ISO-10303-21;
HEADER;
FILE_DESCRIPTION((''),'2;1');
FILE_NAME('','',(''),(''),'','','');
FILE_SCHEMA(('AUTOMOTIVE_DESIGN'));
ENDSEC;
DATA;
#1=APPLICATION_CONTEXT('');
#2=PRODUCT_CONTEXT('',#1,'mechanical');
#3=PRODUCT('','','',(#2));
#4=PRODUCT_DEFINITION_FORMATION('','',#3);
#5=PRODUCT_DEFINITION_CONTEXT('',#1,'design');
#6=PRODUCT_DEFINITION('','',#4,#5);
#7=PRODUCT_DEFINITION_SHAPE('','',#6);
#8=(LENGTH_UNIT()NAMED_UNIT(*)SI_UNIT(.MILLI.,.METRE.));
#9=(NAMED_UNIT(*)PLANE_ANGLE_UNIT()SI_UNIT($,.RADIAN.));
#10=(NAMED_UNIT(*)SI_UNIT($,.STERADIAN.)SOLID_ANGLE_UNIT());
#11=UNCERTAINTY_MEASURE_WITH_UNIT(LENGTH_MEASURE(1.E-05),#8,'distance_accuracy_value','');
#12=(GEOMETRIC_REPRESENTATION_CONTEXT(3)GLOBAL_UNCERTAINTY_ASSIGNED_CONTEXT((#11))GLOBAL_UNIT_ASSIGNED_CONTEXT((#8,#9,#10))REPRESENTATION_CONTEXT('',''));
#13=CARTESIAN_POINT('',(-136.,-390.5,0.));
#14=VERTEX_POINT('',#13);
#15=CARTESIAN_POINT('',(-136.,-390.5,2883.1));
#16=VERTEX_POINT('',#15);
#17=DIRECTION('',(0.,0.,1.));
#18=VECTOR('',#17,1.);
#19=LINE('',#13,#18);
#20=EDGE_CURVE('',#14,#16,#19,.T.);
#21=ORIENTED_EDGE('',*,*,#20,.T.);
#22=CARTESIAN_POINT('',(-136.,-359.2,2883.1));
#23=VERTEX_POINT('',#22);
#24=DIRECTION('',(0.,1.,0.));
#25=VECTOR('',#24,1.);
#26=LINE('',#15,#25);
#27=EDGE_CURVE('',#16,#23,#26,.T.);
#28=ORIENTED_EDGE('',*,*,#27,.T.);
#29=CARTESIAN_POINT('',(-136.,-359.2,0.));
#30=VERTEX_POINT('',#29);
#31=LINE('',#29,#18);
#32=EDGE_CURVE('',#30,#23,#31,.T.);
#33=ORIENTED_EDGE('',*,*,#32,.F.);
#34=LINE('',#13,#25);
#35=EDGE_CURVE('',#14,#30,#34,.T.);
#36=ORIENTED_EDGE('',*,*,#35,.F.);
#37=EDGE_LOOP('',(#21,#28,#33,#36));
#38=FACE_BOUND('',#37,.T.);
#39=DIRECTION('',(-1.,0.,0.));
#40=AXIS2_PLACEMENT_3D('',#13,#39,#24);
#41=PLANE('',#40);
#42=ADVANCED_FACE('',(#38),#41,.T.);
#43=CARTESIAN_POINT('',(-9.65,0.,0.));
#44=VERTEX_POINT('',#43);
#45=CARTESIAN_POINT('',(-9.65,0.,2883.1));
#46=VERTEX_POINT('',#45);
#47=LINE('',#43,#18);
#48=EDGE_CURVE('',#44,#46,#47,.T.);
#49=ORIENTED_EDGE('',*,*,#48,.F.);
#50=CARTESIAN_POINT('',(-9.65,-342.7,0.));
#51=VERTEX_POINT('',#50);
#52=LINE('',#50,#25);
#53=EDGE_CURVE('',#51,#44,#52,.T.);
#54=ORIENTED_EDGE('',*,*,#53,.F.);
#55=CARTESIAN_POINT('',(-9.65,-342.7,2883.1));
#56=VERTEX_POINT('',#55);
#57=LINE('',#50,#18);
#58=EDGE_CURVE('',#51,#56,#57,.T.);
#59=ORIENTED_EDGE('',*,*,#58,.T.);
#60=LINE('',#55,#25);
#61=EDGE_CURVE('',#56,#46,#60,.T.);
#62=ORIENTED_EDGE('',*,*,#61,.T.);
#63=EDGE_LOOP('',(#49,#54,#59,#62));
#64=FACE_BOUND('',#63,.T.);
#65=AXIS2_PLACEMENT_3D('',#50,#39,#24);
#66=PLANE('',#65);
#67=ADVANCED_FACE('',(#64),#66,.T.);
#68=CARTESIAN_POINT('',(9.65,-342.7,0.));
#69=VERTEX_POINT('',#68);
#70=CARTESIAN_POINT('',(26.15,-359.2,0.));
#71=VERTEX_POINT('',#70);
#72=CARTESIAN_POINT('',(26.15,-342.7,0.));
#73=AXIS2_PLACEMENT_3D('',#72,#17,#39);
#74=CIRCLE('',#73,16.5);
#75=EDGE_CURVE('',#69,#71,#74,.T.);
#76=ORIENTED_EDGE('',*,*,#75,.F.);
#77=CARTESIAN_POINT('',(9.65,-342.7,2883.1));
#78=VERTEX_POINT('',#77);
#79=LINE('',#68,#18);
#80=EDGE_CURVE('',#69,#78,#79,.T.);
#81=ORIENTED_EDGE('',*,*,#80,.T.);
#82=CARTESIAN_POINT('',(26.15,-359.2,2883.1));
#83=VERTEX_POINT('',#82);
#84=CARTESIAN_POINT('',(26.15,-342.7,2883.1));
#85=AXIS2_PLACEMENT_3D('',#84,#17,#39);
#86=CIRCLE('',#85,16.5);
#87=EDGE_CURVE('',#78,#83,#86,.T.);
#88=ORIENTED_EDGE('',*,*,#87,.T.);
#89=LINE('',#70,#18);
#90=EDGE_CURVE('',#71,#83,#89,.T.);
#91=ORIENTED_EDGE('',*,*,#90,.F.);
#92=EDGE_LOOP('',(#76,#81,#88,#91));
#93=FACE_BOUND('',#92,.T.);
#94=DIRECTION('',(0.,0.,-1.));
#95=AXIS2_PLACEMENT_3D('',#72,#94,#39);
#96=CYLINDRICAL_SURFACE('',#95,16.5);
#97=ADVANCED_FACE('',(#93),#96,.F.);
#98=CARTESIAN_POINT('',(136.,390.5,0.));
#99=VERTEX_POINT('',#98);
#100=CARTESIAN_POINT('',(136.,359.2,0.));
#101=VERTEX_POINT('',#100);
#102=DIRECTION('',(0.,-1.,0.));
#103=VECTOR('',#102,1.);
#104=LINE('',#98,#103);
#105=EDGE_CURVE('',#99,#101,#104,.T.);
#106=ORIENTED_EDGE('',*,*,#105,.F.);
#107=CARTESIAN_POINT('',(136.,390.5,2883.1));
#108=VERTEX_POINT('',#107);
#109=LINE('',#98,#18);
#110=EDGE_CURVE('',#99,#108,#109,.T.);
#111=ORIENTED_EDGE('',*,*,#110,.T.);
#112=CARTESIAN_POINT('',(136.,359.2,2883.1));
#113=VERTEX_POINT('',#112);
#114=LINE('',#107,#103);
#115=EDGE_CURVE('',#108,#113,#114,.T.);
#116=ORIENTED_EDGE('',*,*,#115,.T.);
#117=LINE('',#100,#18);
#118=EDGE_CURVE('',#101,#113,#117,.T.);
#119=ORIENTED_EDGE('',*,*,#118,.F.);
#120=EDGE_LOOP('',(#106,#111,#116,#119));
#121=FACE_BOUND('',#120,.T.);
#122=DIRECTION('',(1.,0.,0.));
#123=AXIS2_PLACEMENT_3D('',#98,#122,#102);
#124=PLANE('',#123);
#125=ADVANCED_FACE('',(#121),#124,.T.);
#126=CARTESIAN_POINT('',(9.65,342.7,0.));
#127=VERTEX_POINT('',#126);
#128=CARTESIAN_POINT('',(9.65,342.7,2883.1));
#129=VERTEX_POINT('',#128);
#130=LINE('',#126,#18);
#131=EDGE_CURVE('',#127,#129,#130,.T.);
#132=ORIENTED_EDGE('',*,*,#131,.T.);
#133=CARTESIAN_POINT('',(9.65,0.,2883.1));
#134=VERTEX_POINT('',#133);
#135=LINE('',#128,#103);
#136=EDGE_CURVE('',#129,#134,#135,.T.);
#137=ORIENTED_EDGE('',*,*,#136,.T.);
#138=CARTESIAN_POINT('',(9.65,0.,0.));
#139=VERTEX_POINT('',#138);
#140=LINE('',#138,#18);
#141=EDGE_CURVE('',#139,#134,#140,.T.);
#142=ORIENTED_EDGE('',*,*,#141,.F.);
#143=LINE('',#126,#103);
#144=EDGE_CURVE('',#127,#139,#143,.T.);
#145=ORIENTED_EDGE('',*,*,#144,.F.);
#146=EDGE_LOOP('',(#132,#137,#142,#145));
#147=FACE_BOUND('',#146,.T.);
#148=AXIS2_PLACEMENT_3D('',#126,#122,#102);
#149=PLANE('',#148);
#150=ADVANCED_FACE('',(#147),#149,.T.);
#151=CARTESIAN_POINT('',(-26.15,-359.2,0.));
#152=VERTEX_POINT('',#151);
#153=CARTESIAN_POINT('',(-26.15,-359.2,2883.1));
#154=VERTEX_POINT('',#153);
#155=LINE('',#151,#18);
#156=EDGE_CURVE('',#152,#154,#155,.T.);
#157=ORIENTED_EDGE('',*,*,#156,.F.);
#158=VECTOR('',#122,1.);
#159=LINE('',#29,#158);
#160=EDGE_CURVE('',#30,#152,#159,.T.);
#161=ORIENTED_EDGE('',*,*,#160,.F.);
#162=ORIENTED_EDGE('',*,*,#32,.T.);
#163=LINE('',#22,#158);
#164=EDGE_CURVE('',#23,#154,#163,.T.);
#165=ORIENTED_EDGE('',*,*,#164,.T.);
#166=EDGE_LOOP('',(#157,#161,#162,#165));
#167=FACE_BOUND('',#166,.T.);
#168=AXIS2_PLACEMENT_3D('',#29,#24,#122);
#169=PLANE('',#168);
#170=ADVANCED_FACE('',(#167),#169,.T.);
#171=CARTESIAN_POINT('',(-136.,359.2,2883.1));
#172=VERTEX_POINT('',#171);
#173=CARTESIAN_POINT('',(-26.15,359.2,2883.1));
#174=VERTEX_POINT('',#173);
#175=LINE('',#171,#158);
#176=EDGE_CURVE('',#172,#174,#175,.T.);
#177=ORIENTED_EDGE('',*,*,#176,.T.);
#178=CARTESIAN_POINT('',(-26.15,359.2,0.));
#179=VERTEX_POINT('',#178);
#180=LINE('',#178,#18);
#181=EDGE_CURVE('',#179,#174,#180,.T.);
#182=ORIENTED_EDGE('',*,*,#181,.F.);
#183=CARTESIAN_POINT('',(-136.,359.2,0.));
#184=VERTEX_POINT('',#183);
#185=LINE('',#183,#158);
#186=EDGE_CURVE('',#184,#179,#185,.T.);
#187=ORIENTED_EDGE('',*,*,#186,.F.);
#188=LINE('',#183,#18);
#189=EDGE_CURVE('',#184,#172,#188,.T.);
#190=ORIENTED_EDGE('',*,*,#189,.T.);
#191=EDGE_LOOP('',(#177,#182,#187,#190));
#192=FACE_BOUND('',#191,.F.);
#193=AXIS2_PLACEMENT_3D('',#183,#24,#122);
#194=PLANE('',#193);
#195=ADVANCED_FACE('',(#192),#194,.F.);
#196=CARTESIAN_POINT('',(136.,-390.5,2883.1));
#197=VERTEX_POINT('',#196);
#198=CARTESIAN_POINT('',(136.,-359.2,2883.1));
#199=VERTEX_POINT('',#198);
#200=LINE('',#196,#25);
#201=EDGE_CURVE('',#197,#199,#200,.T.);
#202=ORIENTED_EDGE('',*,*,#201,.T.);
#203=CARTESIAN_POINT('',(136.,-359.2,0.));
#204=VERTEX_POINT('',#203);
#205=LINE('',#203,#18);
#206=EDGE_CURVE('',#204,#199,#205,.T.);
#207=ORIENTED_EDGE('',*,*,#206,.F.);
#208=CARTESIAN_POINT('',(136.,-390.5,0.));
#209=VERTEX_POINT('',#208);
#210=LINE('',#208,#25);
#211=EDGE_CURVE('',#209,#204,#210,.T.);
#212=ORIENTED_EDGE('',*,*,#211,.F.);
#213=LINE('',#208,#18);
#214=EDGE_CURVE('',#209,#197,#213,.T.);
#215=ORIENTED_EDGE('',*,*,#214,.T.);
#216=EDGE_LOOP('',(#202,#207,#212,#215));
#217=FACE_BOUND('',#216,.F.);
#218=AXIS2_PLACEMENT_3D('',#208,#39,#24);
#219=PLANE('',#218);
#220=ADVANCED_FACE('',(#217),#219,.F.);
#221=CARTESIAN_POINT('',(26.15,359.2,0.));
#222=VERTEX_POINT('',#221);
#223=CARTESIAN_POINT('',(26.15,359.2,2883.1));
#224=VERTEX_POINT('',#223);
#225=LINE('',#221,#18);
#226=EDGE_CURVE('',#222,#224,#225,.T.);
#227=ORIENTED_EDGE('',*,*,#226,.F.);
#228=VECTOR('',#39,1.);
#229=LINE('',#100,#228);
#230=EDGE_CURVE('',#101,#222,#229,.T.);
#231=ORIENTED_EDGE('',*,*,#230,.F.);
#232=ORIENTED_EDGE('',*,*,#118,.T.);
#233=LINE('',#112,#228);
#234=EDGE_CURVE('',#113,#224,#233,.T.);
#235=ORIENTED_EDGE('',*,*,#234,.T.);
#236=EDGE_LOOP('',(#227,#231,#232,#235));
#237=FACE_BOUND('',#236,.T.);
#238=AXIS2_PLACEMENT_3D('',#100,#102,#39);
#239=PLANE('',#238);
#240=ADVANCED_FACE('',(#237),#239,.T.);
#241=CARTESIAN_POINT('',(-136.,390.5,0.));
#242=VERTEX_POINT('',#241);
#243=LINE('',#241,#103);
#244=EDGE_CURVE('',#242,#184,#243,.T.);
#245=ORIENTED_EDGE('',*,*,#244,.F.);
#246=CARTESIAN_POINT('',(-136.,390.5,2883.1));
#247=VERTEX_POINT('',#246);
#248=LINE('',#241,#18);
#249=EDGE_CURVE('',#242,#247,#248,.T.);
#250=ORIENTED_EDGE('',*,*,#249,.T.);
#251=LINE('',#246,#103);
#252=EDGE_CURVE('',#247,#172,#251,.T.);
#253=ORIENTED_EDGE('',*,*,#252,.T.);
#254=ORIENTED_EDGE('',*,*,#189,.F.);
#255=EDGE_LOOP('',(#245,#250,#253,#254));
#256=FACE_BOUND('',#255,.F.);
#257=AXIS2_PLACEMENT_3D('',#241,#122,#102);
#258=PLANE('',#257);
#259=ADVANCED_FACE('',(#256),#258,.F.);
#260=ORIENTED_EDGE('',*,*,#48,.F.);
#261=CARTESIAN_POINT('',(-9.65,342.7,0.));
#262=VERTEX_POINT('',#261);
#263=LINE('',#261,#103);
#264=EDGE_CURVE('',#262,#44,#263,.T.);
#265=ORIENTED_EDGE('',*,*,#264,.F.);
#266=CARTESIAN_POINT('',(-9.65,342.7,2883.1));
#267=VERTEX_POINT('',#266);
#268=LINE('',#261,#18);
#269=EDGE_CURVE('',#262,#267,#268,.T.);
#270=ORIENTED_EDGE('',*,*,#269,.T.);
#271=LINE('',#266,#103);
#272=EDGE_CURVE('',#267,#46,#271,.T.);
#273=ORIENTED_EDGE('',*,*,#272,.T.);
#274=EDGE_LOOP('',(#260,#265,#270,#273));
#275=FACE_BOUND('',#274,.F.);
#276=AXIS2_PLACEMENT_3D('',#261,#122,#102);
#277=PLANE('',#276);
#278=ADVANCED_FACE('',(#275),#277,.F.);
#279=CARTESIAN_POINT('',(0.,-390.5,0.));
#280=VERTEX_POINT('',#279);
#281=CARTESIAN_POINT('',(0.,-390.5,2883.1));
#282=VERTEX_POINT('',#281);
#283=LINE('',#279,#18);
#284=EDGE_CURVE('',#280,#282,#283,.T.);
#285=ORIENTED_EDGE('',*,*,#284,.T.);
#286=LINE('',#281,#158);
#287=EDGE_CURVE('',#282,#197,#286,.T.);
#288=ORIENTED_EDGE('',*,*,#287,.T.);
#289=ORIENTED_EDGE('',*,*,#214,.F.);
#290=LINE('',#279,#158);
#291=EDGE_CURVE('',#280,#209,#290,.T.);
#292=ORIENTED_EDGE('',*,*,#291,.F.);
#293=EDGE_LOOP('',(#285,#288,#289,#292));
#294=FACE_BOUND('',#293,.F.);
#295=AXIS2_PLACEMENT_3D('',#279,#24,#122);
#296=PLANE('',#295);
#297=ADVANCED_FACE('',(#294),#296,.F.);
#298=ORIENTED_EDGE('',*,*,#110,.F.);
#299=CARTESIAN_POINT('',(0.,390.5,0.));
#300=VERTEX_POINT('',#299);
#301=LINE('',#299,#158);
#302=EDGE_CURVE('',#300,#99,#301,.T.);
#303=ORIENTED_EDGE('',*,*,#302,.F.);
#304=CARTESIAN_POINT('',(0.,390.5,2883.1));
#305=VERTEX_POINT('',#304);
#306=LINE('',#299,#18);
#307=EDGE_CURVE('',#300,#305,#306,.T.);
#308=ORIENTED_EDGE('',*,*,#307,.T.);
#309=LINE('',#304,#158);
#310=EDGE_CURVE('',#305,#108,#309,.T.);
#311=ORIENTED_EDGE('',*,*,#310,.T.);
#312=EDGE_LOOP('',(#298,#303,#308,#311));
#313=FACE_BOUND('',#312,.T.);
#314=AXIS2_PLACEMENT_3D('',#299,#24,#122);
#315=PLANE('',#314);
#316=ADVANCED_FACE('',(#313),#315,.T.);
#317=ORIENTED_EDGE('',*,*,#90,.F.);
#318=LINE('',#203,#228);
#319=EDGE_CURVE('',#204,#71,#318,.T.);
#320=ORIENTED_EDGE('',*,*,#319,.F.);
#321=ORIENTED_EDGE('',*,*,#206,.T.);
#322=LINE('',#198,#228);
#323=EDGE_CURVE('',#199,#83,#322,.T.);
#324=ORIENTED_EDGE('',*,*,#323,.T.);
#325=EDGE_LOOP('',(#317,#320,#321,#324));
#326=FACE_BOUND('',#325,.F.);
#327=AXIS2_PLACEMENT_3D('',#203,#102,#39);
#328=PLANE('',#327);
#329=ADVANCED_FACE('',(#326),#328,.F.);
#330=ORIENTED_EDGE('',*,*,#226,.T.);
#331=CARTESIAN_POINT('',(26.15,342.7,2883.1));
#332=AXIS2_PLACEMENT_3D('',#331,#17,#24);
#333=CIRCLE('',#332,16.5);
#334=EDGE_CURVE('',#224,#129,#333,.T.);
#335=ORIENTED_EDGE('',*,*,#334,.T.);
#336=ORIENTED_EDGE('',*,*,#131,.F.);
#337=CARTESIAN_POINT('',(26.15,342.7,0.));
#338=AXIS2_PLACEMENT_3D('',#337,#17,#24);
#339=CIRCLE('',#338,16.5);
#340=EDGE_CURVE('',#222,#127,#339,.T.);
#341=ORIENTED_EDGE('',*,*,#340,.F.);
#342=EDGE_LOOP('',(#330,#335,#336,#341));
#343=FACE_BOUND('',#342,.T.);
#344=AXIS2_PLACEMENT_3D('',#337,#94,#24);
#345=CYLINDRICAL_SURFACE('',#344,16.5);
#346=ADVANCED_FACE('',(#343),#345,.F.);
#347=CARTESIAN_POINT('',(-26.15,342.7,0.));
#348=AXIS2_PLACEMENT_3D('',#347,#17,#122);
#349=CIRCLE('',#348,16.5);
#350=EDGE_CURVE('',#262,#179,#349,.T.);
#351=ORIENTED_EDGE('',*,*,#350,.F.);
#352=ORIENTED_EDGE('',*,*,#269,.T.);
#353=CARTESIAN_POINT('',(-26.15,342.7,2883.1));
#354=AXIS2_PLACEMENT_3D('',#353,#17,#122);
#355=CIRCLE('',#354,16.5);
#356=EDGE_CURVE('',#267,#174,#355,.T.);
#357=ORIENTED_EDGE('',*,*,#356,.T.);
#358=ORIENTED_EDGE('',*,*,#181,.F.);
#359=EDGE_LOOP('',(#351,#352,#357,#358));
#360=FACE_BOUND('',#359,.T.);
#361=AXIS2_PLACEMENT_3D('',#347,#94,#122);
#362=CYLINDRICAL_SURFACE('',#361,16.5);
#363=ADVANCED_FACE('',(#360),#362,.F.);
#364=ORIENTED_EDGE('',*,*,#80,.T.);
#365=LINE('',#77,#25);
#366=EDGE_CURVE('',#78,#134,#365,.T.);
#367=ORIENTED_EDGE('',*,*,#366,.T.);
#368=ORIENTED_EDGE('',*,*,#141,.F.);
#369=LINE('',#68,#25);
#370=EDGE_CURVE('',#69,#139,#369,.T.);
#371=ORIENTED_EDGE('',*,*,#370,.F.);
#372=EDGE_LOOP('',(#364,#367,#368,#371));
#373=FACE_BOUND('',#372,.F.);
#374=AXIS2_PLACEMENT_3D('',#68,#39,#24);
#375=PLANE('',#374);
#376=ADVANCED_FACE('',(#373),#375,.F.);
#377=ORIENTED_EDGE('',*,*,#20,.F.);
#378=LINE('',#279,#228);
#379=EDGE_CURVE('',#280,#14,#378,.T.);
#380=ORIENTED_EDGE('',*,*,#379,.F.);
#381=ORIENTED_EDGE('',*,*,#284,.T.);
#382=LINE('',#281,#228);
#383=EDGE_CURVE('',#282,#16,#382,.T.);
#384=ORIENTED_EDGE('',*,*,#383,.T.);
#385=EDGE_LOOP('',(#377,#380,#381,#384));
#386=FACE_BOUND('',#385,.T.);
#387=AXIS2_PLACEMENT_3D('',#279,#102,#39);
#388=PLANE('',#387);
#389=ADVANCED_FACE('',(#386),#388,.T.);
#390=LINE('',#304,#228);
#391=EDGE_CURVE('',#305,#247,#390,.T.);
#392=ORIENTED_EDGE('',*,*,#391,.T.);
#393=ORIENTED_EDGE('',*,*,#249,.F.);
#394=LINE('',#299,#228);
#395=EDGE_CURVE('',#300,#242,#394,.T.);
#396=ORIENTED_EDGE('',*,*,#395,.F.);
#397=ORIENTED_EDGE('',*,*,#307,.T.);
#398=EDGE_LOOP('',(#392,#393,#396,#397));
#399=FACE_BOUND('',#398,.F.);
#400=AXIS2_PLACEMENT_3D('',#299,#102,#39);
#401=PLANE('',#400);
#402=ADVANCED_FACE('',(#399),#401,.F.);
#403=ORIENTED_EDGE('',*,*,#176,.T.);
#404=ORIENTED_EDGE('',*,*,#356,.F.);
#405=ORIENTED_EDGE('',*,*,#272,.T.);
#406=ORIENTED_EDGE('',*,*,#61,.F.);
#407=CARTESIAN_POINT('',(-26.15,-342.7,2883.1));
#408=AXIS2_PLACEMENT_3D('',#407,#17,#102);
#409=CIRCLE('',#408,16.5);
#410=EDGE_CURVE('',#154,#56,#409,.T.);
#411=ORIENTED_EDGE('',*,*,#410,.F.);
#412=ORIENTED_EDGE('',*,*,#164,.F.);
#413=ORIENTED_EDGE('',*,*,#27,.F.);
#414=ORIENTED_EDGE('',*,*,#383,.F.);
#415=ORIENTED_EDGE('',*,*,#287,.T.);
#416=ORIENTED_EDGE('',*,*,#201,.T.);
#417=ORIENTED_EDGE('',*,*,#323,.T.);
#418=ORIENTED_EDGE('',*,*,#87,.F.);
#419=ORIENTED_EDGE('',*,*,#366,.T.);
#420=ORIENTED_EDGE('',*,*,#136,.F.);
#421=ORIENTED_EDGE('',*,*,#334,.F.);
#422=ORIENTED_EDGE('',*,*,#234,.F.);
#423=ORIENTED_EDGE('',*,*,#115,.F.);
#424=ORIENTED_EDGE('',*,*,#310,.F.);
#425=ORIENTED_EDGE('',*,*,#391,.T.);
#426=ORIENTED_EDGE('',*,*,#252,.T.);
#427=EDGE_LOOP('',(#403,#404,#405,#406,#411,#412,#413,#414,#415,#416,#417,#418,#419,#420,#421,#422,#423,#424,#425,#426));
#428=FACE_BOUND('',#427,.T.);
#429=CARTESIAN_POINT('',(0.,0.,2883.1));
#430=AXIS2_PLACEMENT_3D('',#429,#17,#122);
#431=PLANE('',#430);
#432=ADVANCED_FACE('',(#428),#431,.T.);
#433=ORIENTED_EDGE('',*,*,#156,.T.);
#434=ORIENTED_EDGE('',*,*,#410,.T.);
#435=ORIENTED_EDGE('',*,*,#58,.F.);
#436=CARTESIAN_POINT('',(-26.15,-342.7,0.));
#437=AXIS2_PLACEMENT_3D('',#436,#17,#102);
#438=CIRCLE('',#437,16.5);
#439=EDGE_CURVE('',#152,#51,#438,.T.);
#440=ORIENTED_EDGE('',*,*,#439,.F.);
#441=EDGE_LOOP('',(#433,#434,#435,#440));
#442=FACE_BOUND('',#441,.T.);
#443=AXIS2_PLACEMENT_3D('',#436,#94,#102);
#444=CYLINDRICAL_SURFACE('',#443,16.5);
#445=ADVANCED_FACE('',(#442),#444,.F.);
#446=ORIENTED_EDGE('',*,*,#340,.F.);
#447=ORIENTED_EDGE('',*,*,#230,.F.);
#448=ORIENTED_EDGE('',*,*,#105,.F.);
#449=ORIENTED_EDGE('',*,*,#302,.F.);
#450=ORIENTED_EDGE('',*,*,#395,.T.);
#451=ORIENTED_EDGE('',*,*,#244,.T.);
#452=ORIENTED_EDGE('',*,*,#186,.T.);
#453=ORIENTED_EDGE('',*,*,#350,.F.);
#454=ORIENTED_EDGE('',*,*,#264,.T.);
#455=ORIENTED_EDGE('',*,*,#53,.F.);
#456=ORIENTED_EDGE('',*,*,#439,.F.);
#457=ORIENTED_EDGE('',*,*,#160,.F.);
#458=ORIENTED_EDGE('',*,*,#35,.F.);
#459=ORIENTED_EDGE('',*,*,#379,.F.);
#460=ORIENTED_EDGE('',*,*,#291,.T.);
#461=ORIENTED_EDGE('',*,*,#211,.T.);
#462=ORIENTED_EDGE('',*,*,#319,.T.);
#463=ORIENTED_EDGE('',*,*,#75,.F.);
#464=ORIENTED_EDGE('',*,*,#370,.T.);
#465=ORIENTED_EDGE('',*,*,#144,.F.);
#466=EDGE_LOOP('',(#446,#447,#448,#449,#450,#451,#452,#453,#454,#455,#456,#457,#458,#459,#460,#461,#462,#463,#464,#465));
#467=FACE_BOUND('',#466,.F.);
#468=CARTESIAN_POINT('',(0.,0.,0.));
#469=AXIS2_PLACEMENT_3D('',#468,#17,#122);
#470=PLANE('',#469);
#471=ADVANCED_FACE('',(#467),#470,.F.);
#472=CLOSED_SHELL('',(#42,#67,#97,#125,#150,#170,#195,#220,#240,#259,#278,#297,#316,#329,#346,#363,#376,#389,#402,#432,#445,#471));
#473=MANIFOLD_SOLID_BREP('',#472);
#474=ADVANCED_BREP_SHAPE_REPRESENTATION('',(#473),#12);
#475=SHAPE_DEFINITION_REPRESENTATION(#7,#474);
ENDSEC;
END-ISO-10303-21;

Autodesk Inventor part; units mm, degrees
ref_plane "YZ Plane" through (0, 0, 0) normal (1, 0, 0) x (0, 1, 0)
ref_plane "Start plane" through (0, 0, 0) normal (0, 0, 1) x (1, 0, 0)
ref_plane "End plane" through (0, 0, 2883.1) normal (0, 0, 1) x (1, 0, 0)
sketch "Sketch" plane through (0, 0, 0) normal (0, 0, 1) x (1, 0, 0)
  line L0 (-136, -390.5) -> (-136, -359.2)
  line L1 (-136, -359.2) -> (-26.15, -359.2)
  line L2 (-9.65, -342.7) -> (-9.65, 0)
  line L3 (-9.65, 0) -> (0, 0) construction
  line L4 (0, 0) -> (0, -390.5) construction
  line L5 (0, -390.5) -> (-136, -390.5)
  line L6 (-60, 0) -> (80, 0) construction
  line L7 (0, -60) -> (0, 80) construction
  line L8 (136, -390.5) -> (136, -359.2)
  line L9 (136, -359.2) -> (26.15, -359.2)
  line L10 (9.65, -342.7) -> (9.65, 0)
  line L11 (9.65, 0) -> (0, 0) construction
  line L12 (0, -390.5) -> (136, -390.5)
  line L13 (-136, 390.5) -> (-136, 359.2)
  line L14 (-136, 359.2) -> (-26.15, 359.2)
  line L15 (-9.65, 342.7) -> (-9.65, 0)
  line L16 (0, 390.5) -> (-136, 390.5)
  line L17 (136, 390.5) -> (136, 359.2)
  line L18 (136, 359.2) -> (26.15, 359.2)
  line L19 (0, 390.5) -> (136, 390.5)
  line L20 (9.65, 342.7) -> (9.65, 0)
  arc A0 (-9.65, 342.7) -> (-26.15, 359.2) centre (-26.15, 342.7) ccw
  arc A1 (26.15, 359.2) -> (9.65, 342.7) centre (26.15, 342.7) ccw
  arc A2 (9.65, -342.7) -> (26.15, -359.2) centre (26.15, -342.7) ccw
  arc A3 (-26.15, -359.2) -> (-9.65, -342.7) centre (-26.15, -342.7) ccw
  line L21 (0, 108) -> (0, -88) construction
  line L22 (-88, 0) -> (108, 0) construction
  point P0 (-9.65, -359.2)
  point P1 (9.65, -359.2)
  point P2 (-9.65, 359.2)
  point P3 (9.65, 359.2)
  dimension "d1" = 390.5
  dimension "d2" = 31.3
  dimension "d3" = 136
  dimension "d4" = 9.65
  dimension "d10" = 16.5
extrude "Body" add sketch "Sketch" along normal up to surface (2883.1 mm away) from surface at 0
sketch "Sketch4" plane through (0, 0, 0) normal (0, 0, 1) x (1, 0, 0)
  line L0 (0, 0) -> (10, 0)
ref_plane "Work Plane3" through (0, 0, 0) normal (0, -1, 0) x (1, 0, 0)
sketch "Sketch5" plane through (0, 0, 0) normal (0, -1, 0) x (1, 0, 0)
  line L0 (-2, 0) -> (12, 0) projected
  line L1 (-2, 2883.1) -> (12, 2883.1) projected
  dimension "d14" = 2883.1
equation "\"d1\" = 0.5 * G_H"
equation "\"d2\" = G_T1"
equation "\"d3\" = 0.5 * G_W"
equation "\"d4\" = 0.5 * G_T"
equation "\"d10\" = G_IR"
equation "\"d5\" = G_L"
equation "\"G_W\" = 272"
equation "\"G_H\" = 781"
equation "\"G_T\" = 19.3"
equation "\"G_T1\" = 31.3"
equation "\"G_IR\" = 16.5"
equation "\"G_L\" = d14"
equation "\"G_OFFSET_START\" = 0"
equation "\"G_OFFSET_END\" = 0"
equation "\"d12\" = G_OFFSET_END + B_L"
equation "\"B_L\" = 2883.1"
properties part number "AS 3679-1990 - 760 UB - 244 - 2883.1" material "Steel, Mild"
